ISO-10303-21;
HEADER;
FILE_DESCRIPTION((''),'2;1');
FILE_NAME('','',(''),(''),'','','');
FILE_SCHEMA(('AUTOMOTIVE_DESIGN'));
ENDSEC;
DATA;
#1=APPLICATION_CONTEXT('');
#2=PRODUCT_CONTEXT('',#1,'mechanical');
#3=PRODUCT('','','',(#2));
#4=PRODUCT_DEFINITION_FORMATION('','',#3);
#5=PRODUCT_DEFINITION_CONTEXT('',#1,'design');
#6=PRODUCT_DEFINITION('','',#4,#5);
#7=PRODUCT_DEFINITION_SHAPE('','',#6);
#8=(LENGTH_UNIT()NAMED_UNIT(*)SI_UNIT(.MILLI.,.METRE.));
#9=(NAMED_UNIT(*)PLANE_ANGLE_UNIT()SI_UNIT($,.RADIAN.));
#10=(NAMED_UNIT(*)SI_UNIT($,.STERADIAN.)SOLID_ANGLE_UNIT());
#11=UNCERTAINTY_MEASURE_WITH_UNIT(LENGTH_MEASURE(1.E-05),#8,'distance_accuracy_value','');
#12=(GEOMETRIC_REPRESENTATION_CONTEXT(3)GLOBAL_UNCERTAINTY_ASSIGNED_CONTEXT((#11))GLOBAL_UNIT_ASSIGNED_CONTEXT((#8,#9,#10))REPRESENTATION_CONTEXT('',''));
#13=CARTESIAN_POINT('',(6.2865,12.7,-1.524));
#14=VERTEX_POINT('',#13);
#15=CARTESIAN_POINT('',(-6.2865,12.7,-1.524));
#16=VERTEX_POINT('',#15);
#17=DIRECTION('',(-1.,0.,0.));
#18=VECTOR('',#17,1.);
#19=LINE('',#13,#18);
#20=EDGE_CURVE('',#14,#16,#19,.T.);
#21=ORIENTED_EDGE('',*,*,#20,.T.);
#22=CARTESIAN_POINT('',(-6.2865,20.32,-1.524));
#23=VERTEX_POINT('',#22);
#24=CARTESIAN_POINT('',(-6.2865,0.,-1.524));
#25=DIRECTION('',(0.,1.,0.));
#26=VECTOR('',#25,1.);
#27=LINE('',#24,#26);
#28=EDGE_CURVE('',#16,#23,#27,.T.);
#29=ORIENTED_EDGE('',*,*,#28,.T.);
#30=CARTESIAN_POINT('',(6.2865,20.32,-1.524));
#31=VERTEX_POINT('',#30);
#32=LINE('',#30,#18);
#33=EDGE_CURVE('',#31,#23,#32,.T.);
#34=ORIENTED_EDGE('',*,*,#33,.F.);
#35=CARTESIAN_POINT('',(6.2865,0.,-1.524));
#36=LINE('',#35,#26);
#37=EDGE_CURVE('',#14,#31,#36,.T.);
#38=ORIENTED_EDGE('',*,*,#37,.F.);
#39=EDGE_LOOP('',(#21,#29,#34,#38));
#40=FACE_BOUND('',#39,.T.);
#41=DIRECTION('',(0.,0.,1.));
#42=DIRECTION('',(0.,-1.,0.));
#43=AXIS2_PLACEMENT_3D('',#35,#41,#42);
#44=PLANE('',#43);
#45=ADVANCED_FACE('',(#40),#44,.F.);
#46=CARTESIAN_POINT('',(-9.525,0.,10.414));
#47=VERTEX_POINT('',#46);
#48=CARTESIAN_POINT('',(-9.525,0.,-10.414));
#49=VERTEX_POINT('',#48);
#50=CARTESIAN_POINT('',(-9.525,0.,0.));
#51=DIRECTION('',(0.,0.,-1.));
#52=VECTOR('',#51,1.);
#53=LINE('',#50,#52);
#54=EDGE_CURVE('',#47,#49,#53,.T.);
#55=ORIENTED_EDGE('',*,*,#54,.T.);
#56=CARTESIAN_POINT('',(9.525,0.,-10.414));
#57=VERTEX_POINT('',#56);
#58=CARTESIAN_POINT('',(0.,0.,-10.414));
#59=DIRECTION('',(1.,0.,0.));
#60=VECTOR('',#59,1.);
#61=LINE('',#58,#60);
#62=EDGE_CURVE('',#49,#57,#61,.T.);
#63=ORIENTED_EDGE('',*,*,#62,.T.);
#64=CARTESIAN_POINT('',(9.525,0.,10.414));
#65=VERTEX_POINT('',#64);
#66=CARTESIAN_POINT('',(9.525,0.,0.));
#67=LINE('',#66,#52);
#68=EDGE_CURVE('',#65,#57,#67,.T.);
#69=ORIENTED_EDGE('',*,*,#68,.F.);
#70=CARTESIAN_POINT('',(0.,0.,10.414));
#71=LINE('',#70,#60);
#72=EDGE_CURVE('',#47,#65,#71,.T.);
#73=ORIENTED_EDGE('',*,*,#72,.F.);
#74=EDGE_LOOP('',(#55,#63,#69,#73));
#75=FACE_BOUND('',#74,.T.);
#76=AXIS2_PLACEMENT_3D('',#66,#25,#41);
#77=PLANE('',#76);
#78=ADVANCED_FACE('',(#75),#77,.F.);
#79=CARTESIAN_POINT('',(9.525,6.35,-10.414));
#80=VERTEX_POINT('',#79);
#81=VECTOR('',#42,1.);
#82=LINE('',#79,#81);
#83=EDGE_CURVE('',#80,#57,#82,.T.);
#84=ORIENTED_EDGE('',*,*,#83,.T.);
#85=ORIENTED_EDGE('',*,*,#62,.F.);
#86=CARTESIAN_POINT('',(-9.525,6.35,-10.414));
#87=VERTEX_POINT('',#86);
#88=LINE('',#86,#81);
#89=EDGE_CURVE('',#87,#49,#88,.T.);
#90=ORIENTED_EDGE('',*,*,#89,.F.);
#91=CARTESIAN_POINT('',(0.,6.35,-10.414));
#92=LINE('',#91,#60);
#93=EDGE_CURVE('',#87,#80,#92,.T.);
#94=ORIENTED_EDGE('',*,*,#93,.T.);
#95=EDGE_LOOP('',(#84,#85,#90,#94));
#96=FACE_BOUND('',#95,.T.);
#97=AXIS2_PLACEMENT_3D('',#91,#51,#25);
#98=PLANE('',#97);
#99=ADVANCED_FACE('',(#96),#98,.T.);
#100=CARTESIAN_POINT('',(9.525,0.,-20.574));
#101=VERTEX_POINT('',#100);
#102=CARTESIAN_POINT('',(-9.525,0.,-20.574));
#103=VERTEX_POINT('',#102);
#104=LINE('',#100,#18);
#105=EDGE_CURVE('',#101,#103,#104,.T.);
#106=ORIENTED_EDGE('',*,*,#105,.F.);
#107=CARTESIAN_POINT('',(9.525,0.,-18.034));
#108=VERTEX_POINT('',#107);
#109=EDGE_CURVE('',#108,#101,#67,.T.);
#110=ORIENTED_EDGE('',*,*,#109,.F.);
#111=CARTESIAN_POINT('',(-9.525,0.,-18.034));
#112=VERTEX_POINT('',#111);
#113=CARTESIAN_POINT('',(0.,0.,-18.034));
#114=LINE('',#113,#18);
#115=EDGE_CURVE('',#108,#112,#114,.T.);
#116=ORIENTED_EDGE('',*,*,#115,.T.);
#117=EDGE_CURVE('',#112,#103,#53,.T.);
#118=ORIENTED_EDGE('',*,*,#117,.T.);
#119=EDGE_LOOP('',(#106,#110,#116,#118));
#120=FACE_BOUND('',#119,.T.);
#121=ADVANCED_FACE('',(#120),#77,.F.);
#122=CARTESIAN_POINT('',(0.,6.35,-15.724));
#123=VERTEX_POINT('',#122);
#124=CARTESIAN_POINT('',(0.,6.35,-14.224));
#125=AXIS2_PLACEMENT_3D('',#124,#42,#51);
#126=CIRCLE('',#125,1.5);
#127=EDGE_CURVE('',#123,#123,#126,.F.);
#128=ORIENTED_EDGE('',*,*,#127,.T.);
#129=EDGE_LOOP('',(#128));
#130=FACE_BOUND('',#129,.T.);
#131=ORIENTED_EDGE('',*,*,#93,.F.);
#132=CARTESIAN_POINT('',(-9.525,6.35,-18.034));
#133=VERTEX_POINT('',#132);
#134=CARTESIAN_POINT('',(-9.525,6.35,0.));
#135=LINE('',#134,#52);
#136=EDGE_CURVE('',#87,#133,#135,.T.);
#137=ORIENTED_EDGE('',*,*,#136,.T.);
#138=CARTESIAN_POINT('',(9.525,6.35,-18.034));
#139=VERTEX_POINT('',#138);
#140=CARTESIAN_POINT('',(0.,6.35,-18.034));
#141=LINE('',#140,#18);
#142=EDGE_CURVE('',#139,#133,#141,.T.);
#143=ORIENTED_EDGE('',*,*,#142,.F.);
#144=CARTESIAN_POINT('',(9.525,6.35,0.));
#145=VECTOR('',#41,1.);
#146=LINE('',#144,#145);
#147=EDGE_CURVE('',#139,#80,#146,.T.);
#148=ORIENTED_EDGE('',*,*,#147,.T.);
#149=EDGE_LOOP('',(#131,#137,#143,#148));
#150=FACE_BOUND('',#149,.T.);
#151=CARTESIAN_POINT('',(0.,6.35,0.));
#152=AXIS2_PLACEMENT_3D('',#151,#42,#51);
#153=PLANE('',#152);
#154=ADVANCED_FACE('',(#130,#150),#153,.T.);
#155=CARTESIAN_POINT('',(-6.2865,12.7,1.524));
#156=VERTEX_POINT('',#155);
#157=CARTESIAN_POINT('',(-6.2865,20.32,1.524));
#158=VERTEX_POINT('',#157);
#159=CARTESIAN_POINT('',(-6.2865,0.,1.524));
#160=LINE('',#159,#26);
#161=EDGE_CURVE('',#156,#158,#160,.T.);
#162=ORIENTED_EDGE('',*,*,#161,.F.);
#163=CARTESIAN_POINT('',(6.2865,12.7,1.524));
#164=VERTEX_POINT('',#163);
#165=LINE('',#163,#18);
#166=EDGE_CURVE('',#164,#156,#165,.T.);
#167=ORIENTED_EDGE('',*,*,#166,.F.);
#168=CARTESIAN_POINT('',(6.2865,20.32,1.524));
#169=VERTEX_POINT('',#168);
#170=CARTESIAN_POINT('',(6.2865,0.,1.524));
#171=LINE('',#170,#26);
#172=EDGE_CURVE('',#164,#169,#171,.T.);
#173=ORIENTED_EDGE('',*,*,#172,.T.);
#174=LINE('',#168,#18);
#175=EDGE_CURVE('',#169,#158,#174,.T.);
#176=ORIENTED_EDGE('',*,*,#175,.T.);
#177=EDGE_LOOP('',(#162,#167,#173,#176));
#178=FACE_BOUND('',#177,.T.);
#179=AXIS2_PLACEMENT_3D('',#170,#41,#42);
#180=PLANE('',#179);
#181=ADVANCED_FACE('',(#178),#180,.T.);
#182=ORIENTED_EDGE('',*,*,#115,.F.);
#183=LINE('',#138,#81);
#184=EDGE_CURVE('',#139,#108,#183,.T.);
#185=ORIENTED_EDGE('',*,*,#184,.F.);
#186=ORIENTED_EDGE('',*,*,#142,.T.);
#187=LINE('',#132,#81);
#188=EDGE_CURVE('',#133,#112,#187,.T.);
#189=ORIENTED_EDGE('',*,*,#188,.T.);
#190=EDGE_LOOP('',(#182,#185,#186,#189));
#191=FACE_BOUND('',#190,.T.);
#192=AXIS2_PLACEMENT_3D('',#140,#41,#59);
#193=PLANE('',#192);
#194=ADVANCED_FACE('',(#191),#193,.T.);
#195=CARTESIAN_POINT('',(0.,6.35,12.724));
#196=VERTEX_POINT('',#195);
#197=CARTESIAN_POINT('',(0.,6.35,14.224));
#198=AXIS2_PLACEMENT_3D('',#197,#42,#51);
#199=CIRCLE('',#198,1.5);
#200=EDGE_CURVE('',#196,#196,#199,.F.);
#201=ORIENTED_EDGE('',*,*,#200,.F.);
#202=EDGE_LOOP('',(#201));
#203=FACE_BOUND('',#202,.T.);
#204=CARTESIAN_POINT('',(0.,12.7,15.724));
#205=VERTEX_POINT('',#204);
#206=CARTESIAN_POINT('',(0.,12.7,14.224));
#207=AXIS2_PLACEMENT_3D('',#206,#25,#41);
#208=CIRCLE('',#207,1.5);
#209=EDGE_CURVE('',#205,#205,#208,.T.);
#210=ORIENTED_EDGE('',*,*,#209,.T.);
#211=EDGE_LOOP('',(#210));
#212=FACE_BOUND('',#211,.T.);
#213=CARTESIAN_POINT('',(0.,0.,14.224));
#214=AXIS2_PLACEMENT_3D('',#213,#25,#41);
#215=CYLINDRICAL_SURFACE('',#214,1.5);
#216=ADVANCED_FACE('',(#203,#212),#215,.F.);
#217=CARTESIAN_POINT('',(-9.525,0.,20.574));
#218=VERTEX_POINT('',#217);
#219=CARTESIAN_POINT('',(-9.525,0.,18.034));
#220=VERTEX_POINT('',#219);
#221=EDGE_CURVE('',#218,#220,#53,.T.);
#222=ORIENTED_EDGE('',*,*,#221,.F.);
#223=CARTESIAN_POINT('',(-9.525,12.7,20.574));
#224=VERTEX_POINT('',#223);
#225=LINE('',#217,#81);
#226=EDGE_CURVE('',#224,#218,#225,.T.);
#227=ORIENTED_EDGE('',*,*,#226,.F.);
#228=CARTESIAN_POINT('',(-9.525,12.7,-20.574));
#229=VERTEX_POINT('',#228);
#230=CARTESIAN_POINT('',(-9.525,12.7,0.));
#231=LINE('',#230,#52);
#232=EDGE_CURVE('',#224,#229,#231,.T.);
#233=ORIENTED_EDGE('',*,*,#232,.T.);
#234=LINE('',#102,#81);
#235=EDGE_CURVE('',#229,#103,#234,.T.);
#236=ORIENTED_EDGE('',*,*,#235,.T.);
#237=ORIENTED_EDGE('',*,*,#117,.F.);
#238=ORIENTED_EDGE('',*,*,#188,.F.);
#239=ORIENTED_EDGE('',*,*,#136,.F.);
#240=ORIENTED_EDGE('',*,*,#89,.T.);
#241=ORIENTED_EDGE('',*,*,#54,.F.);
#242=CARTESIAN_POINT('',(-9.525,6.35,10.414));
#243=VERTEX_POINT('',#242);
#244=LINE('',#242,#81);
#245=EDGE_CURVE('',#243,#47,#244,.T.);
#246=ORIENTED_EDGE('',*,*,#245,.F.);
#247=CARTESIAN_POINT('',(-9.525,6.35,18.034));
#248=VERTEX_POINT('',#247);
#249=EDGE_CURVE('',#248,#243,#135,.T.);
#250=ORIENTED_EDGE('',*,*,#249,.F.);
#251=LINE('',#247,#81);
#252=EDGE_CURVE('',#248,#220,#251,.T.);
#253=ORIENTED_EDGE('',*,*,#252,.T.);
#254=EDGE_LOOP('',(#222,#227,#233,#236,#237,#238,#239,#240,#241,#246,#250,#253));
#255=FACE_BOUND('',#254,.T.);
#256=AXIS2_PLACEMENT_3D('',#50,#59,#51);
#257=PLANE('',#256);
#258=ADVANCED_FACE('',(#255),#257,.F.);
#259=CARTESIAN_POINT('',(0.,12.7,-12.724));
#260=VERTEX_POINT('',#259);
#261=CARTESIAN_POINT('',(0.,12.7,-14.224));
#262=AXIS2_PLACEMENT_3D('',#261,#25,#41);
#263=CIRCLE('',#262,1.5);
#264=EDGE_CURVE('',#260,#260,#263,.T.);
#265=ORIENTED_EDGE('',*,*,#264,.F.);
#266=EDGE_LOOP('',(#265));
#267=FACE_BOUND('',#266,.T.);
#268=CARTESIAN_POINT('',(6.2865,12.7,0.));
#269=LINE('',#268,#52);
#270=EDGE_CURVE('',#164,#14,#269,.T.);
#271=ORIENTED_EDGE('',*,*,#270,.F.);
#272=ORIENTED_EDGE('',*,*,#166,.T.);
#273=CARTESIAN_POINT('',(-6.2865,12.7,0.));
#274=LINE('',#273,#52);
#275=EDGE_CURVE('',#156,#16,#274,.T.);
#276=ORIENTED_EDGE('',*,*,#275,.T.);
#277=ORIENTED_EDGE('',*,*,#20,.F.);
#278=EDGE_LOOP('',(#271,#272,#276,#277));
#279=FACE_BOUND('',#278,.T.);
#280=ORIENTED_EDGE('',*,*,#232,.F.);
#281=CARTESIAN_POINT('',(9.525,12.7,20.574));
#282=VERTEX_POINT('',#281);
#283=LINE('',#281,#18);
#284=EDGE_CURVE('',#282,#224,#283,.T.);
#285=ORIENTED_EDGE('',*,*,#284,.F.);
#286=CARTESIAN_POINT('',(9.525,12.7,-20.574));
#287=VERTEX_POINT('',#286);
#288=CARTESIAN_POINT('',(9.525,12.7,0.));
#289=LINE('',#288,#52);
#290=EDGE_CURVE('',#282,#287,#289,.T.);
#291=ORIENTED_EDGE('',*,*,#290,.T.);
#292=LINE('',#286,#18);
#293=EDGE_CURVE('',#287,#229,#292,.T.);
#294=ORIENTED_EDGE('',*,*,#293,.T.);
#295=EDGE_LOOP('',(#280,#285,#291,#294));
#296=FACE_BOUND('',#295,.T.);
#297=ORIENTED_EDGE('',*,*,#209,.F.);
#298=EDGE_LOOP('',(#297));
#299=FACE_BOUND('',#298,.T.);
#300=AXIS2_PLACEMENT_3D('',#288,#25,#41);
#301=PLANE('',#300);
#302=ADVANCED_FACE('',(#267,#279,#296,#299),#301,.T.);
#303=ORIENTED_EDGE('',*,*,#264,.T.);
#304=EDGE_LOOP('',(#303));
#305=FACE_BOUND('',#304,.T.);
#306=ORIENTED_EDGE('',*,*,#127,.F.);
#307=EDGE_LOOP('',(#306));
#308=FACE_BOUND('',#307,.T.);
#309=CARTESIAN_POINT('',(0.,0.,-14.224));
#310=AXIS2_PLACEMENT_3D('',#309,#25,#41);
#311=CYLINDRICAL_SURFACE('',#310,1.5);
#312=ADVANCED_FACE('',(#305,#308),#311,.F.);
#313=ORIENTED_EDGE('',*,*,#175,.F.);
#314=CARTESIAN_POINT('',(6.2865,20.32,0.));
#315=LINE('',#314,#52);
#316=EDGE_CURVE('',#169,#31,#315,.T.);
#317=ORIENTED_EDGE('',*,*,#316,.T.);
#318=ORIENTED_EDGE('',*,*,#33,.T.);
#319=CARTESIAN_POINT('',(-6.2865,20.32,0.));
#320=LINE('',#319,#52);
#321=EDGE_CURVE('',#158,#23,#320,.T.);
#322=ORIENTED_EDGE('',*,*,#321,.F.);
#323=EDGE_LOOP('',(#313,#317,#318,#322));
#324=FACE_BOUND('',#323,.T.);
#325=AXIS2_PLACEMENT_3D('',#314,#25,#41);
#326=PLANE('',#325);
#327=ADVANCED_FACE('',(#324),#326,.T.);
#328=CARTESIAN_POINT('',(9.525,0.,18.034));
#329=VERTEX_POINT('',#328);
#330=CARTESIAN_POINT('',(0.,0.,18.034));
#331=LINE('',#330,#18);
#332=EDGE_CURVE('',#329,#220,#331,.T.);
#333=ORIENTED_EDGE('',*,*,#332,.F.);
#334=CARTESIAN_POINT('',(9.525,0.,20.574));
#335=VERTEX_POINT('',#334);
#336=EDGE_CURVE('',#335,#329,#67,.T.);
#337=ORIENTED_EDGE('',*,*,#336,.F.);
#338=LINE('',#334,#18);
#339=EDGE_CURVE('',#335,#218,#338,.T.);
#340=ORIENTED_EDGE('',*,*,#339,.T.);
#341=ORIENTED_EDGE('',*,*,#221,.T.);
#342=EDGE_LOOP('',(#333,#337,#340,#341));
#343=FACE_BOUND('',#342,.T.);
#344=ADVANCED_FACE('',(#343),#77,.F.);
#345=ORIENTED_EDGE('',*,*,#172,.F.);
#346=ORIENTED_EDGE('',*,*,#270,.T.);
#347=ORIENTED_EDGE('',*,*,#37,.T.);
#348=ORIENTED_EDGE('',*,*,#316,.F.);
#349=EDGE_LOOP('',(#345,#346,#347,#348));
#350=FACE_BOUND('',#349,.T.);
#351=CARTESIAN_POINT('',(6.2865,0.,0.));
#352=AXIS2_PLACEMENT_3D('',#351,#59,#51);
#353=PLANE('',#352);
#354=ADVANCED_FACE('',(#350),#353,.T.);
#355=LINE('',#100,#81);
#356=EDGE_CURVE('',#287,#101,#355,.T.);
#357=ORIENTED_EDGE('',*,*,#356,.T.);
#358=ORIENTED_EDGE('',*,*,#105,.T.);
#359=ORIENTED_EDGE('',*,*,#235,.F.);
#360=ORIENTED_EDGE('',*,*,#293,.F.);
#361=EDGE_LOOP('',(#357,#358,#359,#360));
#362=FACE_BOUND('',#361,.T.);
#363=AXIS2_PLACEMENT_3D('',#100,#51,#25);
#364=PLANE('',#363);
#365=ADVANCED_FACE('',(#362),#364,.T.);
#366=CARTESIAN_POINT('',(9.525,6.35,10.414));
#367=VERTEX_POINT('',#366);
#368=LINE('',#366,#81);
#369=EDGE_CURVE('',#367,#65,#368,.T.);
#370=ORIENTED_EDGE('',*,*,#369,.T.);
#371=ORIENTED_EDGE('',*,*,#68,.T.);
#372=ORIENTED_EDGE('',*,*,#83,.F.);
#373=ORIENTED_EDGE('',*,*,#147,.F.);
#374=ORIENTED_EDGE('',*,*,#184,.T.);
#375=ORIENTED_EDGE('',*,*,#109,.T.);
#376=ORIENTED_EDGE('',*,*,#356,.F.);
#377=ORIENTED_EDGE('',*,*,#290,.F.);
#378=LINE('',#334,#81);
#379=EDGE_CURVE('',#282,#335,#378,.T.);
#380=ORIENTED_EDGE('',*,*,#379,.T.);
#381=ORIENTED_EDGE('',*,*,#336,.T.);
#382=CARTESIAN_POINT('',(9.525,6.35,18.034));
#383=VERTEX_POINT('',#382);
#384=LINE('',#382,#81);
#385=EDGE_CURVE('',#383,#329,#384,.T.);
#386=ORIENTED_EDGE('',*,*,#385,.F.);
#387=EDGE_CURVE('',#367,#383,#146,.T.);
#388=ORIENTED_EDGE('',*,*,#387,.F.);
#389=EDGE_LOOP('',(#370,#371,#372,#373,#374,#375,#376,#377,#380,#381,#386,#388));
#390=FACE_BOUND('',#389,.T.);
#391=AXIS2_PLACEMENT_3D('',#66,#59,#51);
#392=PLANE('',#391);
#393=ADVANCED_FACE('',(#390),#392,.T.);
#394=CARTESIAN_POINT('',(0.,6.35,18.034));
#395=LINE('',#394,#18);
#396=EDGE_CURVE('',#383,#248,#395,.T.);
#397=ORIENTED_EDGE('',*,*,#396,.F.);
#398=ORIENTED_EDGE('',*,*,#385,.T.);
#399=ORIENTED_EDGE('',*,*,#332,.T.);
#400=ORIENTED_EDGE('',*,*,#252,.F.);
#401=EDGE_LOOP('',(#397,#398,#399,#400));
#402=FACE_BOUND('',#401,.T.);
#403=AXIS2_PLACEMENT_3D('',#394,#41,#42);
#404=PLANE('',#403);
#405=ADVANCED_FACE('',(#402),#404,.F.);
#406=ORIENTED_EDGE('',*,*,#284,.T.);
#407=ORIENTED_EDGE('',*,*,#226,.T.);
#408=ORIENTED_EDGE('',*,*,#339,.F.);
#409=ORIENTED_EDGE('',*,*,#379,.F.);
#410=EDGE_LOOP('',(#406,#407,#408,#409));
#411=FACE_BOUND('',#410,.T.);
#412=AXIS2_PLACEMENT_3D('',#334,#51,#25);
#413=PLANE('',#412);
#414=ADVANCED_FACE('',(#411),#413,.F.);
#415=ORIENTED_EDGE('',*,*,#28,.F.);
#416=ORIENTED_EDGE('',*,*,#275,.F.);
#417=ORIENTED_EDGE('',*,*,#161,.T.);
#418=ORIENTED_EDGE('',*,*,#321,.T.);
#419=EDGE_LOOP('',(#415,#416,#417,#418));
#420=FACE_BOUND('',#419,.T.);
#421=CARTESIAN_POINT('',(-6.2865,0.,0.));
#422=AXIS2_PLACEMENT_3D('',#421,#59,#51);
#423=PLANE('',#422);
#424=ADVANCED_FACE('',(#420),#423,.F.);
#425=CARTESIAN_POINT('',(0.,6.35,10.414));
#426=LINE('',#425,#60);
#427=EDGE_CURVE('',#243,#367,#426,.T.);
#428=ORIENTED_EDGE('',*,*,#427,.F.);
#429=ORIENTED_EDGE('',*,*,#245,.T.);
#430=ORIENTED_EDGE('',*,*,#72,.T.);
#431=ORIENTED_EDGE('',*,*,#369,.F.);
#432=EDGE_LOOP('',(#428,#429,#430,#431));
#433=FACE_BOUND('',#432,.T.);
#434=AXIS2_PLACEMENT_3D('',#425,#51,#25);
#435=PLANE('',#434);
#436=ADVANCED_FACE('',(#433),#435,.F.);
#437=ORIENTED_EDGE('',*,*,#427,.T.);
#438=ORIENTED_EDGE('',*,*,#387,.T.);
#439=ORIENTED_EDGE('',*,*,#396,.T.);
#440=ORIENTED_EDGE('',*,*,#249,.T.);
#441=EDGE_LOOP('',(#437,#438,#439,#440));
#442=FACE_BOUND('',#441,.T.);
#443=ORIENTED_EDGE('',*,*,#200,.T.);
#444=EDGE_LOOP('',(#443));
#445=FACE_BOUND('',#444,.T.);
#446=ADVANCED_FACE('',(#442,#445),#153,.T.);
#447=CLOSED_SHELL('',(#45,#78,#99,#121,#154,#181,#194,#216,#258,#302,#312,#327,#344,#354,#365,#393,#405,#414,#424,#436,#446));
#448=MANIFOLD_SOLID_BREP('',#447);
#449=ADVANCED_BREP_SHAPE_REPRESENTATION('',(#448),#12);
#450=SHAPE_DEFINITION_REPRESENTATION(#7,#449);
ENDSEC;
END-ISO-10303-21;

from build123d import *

# Parameters (mm, degrees)
BOSS_EXTRUDE1_DEPTH = 9.525
SKETCH1_3_W         = 3.048
SKETCH1_3_H         = 7.62
BOSS_EXTRUDE2_DEPTH = 6.2865
SKETCH4_R           = 1.5
CUT_EXTRUDE3_DEPTH  = 26.986633122
CUT_EXTRUDE4_START  = -6.35
SKETCH5_W           = 19.05
SKETCH5_H           = 7.62
SKETCH5_R           = 1.5
CUT_EXTRUDE4_DEPTH  = 6.35


with BuildPart() as part:
    # Sketch1 → Boss-Extrude1 (new, symmetric)
    with BuildSketch(Plane(origin=(0, 0, 0), x_dir=(0, 0, -1), z_dir=(1, 0, 0))):
        Polygon((-1.524, 12.7), (-20.574, 12.7), (-20.574, 0), (20.574, 0), (20.574, 12.7), (1.524, 12.7), align=None)
    extrude(amount=BOSS_EXTRUDE1_DEPTH, both=True)

    # Sketch1<3> → Boss-Extrude2 (add, symmetric)
    with BuildSketch(Plane(origin=(0, 0, 0), x_dir=(0, 0, -1), z_dir=(1, 0, 0))):
        with Locations((0, 16.51)):
            Rectangle(SKETCH1_3_W, SKETCH1_3_H)
    extrude(amount=BOSS_EXTRUDE2_DEPTH, both=True)

    # Sketch4 → Cut-Extrude3 (cut, through all)
    with BuildSketch(Plane(origin=(0, 12.7, 0), x_dir=(1, 0, 0), z_dir=(0, 1, 0))):
        with Locations((0, -14.224)):
            Circle(SKETCH4_R)
        with Locations((0, 14.224)):
            Circle(SKETCH4_R)
    extrude(amount=-CUT_EXTRUDE3_DEPTH, mode=Mode.SUBTRACT)

    # Sketch5 → Cut-Extrude4 (cut)
    # profile 1 of 2: a face of its own
    with BuildSketch(Plane.XZ.offset(CUT_EXTRUDE4_START)):
        with Locations((0, -14.224)):
            Rectangle(SKETCH5_W, SKETCH5_H)
        with Locations((0, -14.224)):
            Circle(SKETCH5_R, mode=Mode.SUBTRACT)
    # profile 2 of 2: a face of its own
    with BuildSketch(Plane.XZ.offset(CUT_EXTRUDE4_START)):
        with Locations((0, 14.224)):
            Rectangle(SKETCH5_W, SKETCH5_H)
        with Locations((0, 14.224)):
            Circle(SKETCH5_R, mode=Mode.SUBTRACT)
    extrude(amount=CUT_EXTRUDE4_DEPTH, mode=Mode.SUBTRACT)


solid = part.part
